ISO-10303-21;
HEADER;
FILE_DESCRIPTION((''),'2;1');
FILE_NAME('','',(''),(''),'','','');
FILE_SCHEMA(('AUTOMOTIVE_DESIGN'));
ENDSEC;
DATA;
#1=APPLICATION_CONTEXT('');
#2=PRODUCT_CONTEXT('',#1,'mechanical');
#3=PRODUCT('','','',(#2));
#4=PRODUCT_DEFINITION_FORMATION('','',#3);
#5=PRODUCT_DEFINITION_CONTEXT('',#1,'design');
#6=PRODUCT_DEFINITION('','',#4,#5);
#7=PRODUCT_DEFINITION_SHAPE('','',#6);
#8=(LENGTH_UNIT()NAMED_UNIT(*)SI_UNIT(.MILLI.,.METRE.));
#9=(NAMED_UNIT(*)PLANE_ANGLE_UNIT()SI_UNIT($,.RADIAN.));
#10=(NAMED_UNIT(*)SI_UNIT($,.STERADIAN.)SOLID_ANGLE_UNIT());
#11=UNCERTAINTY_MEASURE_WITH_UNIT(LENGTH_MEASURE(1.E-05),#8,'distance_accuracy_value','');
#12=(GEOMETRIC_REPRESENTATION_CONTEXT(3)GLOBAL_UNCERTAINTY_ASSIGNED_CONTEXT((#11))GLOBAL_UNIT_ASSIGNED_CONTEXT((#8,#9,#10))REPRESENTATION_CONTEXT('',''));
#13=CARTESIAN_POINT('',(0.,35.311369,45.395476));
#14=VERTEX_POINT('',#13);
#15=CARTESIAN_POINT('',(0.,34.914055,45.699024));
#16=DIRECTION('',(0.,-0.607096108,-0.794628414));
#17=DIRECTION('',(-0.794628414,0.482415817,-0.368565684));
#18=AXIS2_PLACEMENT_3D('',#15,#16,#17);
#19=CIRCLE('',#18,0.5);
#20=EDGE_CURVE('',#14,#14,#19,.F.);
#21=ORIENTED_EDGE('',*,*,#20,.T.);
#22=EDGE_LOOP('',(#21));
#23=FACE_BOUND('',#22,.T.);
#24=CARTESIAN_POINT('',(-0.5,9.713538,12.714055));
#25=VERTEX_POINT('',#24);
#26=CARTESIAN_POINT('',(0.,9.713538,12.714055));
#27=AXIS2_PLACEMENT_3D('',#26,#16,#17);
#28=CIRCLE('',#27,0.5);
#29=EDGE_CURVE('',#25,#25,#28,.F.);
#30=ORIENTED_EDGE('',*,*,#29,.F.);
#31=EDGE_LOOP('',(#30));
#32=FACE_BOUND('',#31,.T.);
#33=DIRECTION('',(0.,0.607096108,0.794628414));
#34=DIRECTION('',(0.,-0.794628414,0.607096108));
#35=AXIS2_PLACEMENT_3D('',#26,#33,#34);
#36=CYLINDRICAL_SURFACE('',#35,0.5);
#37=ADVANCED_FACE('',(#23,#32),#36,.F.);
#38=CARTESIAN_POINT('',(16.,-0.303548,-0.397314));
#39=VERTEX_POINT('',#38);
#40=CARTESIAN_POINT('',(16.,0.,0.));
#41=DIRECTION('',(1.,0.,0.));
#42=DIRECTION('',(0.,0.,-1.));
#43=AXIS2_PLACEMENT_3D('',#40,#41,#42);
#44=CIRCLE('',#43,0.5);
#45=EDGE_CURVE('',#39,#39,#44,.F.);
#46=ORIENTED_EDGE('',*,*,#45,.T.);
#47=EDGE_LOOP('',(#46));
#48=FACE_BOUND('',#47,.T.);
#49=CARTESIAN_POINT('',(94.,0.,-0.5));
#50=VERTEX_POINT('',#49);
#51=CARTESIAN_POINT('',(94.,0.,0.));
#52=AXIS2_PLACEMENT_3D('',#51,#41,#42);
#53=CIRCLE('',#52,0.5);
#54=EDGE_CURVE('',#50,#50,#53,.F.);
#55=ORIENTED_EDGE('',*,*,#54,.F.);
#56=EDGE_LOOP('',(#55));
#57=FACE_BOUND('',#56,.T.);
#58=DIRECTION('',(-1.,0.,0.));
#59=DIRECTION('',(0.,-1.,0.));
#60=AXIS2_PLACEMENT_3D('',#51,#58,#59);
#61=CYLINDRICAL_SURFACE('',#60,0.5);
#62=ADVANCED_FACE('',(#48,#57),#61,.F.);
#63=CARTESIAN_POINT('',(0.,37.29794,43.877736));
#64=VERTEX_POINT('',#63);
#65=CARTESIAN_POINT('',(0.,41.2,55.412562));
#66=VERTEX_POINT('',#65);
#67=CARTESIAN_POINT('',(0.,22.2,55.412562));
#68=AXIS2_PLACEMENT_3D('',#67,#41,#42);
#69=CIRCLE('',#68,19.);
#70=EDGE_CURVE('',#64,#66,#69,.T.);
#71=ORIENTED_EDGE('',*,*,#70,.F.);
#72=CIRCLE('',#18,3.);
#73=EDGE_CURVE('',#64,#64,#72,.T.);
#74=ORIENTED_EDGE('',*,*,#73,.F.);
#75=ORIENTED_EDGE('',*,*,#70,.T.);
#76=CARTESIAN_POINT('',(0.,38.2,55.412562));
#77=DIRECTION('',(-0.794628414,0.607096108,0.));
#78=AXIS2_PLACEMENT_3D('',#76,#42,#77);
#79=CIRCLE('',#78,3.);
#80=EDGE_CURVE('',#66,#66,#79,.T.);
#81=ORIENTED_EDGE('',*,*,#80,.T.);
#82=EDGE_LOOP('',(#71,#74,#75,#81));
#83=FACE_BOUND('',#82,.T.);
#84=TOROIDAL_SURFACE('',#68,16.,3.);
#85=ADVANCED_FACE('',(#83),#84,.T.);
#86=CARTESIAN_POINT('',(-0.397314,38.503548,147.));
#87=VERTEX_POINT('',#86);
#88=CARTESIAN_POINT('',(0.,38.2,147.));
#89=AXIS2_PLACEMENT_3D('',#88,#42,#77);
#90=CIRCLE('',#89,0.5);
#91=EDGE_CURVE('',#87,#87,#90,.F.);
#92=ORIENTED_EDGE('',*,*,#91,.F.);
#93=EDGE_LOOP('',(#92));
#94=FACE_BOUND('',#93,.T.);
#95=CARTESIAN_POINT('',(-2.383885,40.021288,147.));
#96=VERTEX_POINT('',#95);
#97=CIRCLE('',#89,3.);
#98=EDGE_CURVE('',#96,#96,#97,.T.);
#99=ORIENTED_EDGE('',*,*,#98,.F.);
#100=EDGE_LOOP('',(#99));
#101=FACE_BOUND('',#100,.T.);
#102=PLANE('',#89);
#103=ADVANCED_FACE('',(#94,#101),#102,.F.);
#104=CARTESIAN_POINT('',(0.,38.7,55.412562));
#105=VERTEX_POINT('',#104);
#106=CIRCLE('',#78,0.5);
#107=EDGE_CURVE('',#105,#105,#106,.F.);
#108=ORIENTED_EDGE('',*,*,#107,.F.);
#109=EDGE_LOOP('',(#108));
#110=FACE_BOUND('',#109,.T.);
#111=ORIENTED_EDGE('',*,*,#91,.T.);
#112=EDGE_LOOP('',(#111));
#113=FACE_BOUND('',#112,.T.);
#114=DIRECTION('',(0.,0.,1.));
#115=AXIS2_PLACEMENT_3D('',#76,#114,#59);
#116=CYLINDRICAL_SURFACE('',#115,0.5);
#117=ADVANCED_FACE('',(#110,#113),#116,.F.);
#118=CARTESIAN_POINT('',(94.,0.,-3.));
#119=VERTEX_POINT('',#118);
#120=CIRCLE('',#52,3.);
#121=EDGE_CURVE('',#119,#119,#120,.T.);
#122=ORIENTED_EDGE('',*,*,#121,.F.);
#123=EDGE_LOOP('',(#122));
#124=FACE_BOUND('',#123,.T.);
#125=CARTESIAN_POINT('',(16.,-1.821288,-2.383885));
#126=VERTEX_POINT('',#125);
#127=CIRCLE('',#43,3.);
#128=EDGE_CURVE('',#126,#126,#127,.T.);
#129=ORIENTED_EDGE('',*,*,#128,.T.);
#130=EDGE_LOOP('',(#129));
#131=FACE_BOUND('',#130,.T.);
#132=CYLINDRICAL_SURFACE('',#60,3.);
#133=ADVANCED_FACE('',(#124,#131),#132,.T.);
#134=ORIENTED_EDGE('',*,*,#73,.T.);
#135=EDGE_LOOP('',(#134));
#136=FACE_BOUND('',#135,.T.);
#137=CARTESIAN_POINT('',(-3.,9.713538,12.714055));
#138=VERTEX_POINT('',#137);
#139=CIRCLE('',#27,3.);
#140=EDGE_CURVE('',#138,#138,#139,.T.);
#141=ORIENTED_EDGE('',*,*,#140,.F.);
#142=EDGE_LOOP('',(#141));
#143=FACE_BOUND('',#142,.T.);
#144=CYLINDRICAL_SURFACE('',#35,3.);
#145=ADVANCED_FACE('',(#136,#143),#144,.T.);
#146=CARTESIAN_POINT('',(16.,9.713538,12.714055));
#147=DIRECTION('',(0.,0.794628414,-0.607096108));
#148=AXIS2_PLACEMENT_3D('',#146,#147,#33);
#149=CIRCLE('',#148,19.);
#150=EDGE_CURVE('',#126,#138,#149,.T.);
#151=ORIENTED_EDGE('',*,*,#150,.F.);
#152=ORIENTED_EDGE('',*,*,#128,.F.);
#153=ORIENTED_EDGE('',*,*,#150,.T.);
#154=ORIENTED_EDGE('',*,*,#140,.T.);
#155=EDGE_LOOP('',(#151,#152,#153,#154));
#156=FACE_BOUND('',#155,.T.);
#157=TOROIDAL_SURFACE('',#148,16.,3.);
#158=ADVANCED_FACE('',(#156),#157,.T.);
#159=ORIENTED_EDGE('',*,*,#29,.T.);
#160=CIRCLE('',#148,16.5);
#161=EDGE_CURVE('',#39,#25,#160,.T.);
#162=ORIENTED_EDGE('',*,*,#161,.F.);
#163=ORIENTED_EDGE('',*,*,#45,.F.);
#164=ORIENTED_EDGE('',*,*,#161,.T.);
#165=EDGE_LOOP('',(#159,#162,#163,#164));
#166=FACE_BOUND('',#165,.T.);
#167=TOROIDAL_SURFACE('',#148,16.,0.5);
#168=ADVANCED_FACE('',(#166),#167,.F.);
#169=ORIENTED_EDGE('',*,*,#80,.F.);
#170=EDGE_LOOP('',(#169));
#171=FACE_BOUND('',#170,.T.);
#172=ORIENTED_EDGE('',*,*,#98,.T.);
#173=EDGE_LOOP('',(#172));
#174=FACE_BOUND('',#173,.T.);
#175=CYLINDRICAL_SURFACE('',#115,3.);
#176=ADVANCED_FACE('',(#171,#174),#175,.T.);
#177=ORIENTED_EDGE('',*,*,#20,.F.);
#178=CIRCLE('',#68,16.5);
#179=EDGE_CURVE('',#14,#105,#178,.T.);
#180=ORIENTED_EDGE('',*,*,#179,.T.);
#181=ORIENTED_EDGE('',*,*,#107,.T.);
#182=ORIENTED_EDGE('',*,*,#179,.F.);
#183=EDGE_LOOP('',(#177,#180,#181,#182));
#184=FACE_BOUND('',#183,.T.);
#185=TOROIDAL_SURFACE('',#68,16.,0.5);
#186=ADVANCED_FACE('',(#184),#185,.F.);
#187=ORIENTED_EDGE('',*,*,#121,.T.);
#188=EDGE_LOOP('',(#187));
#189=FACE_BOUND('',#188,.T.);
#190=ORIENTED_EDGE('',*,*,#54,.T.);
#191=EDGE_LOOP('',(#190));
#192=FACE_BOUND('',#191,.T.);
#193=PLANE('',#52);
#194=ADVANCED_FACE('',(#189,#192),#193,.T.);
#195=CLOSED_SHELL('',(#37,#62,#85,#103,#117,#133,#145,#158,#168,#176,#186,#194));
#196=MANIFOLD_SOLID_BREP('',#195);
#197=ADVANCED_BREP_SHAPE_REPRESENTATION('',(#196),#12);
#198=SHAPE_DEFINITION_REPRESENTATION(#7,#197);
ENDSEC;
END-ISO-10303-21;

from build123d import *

# Parameters (mm, degrees)
SKICA4_R   = 3
SKICA4_R_2 = 0.5


with BuildPart() as part:
    # Táhnout po křivce1: sweep along a curve in space
    with BuildLine() as t_hnout_po_k_ivce1_path:
        Line((94, 0, 0), (16, 0, 0))
        ThreePointArc((16, 0, 0), (4.686291501, 2.845029331, 3.723860381), (0, 9.713537728, 12.714054617))
        Line((0, 9.713537728, 12.714054617), (0, 34.914054617, 45.699024368))
        ThreePointArc((0, 34.914054617, 45.699024368), (0, 37.35626725, 50.285422244), (0, 38.2, 55.412562096))
        Line((0, 38.2, 55.412562096), (0, 38.2, 147))
    # Skica4 → Táhnout po křivce1 (sweep)
    with BuildSketch(Plane(origin=(94, 0, 0), x_dir=(0, 0, -1), z_dir=(1, 0, 0))):
        Circle(SKICA4_R)
        Circle(SKICA4_R_2, mode=Mode.SUBTRACT)
    sweep(path=t_hnout_po_k_ivce1_path.line)


solid = part.part
